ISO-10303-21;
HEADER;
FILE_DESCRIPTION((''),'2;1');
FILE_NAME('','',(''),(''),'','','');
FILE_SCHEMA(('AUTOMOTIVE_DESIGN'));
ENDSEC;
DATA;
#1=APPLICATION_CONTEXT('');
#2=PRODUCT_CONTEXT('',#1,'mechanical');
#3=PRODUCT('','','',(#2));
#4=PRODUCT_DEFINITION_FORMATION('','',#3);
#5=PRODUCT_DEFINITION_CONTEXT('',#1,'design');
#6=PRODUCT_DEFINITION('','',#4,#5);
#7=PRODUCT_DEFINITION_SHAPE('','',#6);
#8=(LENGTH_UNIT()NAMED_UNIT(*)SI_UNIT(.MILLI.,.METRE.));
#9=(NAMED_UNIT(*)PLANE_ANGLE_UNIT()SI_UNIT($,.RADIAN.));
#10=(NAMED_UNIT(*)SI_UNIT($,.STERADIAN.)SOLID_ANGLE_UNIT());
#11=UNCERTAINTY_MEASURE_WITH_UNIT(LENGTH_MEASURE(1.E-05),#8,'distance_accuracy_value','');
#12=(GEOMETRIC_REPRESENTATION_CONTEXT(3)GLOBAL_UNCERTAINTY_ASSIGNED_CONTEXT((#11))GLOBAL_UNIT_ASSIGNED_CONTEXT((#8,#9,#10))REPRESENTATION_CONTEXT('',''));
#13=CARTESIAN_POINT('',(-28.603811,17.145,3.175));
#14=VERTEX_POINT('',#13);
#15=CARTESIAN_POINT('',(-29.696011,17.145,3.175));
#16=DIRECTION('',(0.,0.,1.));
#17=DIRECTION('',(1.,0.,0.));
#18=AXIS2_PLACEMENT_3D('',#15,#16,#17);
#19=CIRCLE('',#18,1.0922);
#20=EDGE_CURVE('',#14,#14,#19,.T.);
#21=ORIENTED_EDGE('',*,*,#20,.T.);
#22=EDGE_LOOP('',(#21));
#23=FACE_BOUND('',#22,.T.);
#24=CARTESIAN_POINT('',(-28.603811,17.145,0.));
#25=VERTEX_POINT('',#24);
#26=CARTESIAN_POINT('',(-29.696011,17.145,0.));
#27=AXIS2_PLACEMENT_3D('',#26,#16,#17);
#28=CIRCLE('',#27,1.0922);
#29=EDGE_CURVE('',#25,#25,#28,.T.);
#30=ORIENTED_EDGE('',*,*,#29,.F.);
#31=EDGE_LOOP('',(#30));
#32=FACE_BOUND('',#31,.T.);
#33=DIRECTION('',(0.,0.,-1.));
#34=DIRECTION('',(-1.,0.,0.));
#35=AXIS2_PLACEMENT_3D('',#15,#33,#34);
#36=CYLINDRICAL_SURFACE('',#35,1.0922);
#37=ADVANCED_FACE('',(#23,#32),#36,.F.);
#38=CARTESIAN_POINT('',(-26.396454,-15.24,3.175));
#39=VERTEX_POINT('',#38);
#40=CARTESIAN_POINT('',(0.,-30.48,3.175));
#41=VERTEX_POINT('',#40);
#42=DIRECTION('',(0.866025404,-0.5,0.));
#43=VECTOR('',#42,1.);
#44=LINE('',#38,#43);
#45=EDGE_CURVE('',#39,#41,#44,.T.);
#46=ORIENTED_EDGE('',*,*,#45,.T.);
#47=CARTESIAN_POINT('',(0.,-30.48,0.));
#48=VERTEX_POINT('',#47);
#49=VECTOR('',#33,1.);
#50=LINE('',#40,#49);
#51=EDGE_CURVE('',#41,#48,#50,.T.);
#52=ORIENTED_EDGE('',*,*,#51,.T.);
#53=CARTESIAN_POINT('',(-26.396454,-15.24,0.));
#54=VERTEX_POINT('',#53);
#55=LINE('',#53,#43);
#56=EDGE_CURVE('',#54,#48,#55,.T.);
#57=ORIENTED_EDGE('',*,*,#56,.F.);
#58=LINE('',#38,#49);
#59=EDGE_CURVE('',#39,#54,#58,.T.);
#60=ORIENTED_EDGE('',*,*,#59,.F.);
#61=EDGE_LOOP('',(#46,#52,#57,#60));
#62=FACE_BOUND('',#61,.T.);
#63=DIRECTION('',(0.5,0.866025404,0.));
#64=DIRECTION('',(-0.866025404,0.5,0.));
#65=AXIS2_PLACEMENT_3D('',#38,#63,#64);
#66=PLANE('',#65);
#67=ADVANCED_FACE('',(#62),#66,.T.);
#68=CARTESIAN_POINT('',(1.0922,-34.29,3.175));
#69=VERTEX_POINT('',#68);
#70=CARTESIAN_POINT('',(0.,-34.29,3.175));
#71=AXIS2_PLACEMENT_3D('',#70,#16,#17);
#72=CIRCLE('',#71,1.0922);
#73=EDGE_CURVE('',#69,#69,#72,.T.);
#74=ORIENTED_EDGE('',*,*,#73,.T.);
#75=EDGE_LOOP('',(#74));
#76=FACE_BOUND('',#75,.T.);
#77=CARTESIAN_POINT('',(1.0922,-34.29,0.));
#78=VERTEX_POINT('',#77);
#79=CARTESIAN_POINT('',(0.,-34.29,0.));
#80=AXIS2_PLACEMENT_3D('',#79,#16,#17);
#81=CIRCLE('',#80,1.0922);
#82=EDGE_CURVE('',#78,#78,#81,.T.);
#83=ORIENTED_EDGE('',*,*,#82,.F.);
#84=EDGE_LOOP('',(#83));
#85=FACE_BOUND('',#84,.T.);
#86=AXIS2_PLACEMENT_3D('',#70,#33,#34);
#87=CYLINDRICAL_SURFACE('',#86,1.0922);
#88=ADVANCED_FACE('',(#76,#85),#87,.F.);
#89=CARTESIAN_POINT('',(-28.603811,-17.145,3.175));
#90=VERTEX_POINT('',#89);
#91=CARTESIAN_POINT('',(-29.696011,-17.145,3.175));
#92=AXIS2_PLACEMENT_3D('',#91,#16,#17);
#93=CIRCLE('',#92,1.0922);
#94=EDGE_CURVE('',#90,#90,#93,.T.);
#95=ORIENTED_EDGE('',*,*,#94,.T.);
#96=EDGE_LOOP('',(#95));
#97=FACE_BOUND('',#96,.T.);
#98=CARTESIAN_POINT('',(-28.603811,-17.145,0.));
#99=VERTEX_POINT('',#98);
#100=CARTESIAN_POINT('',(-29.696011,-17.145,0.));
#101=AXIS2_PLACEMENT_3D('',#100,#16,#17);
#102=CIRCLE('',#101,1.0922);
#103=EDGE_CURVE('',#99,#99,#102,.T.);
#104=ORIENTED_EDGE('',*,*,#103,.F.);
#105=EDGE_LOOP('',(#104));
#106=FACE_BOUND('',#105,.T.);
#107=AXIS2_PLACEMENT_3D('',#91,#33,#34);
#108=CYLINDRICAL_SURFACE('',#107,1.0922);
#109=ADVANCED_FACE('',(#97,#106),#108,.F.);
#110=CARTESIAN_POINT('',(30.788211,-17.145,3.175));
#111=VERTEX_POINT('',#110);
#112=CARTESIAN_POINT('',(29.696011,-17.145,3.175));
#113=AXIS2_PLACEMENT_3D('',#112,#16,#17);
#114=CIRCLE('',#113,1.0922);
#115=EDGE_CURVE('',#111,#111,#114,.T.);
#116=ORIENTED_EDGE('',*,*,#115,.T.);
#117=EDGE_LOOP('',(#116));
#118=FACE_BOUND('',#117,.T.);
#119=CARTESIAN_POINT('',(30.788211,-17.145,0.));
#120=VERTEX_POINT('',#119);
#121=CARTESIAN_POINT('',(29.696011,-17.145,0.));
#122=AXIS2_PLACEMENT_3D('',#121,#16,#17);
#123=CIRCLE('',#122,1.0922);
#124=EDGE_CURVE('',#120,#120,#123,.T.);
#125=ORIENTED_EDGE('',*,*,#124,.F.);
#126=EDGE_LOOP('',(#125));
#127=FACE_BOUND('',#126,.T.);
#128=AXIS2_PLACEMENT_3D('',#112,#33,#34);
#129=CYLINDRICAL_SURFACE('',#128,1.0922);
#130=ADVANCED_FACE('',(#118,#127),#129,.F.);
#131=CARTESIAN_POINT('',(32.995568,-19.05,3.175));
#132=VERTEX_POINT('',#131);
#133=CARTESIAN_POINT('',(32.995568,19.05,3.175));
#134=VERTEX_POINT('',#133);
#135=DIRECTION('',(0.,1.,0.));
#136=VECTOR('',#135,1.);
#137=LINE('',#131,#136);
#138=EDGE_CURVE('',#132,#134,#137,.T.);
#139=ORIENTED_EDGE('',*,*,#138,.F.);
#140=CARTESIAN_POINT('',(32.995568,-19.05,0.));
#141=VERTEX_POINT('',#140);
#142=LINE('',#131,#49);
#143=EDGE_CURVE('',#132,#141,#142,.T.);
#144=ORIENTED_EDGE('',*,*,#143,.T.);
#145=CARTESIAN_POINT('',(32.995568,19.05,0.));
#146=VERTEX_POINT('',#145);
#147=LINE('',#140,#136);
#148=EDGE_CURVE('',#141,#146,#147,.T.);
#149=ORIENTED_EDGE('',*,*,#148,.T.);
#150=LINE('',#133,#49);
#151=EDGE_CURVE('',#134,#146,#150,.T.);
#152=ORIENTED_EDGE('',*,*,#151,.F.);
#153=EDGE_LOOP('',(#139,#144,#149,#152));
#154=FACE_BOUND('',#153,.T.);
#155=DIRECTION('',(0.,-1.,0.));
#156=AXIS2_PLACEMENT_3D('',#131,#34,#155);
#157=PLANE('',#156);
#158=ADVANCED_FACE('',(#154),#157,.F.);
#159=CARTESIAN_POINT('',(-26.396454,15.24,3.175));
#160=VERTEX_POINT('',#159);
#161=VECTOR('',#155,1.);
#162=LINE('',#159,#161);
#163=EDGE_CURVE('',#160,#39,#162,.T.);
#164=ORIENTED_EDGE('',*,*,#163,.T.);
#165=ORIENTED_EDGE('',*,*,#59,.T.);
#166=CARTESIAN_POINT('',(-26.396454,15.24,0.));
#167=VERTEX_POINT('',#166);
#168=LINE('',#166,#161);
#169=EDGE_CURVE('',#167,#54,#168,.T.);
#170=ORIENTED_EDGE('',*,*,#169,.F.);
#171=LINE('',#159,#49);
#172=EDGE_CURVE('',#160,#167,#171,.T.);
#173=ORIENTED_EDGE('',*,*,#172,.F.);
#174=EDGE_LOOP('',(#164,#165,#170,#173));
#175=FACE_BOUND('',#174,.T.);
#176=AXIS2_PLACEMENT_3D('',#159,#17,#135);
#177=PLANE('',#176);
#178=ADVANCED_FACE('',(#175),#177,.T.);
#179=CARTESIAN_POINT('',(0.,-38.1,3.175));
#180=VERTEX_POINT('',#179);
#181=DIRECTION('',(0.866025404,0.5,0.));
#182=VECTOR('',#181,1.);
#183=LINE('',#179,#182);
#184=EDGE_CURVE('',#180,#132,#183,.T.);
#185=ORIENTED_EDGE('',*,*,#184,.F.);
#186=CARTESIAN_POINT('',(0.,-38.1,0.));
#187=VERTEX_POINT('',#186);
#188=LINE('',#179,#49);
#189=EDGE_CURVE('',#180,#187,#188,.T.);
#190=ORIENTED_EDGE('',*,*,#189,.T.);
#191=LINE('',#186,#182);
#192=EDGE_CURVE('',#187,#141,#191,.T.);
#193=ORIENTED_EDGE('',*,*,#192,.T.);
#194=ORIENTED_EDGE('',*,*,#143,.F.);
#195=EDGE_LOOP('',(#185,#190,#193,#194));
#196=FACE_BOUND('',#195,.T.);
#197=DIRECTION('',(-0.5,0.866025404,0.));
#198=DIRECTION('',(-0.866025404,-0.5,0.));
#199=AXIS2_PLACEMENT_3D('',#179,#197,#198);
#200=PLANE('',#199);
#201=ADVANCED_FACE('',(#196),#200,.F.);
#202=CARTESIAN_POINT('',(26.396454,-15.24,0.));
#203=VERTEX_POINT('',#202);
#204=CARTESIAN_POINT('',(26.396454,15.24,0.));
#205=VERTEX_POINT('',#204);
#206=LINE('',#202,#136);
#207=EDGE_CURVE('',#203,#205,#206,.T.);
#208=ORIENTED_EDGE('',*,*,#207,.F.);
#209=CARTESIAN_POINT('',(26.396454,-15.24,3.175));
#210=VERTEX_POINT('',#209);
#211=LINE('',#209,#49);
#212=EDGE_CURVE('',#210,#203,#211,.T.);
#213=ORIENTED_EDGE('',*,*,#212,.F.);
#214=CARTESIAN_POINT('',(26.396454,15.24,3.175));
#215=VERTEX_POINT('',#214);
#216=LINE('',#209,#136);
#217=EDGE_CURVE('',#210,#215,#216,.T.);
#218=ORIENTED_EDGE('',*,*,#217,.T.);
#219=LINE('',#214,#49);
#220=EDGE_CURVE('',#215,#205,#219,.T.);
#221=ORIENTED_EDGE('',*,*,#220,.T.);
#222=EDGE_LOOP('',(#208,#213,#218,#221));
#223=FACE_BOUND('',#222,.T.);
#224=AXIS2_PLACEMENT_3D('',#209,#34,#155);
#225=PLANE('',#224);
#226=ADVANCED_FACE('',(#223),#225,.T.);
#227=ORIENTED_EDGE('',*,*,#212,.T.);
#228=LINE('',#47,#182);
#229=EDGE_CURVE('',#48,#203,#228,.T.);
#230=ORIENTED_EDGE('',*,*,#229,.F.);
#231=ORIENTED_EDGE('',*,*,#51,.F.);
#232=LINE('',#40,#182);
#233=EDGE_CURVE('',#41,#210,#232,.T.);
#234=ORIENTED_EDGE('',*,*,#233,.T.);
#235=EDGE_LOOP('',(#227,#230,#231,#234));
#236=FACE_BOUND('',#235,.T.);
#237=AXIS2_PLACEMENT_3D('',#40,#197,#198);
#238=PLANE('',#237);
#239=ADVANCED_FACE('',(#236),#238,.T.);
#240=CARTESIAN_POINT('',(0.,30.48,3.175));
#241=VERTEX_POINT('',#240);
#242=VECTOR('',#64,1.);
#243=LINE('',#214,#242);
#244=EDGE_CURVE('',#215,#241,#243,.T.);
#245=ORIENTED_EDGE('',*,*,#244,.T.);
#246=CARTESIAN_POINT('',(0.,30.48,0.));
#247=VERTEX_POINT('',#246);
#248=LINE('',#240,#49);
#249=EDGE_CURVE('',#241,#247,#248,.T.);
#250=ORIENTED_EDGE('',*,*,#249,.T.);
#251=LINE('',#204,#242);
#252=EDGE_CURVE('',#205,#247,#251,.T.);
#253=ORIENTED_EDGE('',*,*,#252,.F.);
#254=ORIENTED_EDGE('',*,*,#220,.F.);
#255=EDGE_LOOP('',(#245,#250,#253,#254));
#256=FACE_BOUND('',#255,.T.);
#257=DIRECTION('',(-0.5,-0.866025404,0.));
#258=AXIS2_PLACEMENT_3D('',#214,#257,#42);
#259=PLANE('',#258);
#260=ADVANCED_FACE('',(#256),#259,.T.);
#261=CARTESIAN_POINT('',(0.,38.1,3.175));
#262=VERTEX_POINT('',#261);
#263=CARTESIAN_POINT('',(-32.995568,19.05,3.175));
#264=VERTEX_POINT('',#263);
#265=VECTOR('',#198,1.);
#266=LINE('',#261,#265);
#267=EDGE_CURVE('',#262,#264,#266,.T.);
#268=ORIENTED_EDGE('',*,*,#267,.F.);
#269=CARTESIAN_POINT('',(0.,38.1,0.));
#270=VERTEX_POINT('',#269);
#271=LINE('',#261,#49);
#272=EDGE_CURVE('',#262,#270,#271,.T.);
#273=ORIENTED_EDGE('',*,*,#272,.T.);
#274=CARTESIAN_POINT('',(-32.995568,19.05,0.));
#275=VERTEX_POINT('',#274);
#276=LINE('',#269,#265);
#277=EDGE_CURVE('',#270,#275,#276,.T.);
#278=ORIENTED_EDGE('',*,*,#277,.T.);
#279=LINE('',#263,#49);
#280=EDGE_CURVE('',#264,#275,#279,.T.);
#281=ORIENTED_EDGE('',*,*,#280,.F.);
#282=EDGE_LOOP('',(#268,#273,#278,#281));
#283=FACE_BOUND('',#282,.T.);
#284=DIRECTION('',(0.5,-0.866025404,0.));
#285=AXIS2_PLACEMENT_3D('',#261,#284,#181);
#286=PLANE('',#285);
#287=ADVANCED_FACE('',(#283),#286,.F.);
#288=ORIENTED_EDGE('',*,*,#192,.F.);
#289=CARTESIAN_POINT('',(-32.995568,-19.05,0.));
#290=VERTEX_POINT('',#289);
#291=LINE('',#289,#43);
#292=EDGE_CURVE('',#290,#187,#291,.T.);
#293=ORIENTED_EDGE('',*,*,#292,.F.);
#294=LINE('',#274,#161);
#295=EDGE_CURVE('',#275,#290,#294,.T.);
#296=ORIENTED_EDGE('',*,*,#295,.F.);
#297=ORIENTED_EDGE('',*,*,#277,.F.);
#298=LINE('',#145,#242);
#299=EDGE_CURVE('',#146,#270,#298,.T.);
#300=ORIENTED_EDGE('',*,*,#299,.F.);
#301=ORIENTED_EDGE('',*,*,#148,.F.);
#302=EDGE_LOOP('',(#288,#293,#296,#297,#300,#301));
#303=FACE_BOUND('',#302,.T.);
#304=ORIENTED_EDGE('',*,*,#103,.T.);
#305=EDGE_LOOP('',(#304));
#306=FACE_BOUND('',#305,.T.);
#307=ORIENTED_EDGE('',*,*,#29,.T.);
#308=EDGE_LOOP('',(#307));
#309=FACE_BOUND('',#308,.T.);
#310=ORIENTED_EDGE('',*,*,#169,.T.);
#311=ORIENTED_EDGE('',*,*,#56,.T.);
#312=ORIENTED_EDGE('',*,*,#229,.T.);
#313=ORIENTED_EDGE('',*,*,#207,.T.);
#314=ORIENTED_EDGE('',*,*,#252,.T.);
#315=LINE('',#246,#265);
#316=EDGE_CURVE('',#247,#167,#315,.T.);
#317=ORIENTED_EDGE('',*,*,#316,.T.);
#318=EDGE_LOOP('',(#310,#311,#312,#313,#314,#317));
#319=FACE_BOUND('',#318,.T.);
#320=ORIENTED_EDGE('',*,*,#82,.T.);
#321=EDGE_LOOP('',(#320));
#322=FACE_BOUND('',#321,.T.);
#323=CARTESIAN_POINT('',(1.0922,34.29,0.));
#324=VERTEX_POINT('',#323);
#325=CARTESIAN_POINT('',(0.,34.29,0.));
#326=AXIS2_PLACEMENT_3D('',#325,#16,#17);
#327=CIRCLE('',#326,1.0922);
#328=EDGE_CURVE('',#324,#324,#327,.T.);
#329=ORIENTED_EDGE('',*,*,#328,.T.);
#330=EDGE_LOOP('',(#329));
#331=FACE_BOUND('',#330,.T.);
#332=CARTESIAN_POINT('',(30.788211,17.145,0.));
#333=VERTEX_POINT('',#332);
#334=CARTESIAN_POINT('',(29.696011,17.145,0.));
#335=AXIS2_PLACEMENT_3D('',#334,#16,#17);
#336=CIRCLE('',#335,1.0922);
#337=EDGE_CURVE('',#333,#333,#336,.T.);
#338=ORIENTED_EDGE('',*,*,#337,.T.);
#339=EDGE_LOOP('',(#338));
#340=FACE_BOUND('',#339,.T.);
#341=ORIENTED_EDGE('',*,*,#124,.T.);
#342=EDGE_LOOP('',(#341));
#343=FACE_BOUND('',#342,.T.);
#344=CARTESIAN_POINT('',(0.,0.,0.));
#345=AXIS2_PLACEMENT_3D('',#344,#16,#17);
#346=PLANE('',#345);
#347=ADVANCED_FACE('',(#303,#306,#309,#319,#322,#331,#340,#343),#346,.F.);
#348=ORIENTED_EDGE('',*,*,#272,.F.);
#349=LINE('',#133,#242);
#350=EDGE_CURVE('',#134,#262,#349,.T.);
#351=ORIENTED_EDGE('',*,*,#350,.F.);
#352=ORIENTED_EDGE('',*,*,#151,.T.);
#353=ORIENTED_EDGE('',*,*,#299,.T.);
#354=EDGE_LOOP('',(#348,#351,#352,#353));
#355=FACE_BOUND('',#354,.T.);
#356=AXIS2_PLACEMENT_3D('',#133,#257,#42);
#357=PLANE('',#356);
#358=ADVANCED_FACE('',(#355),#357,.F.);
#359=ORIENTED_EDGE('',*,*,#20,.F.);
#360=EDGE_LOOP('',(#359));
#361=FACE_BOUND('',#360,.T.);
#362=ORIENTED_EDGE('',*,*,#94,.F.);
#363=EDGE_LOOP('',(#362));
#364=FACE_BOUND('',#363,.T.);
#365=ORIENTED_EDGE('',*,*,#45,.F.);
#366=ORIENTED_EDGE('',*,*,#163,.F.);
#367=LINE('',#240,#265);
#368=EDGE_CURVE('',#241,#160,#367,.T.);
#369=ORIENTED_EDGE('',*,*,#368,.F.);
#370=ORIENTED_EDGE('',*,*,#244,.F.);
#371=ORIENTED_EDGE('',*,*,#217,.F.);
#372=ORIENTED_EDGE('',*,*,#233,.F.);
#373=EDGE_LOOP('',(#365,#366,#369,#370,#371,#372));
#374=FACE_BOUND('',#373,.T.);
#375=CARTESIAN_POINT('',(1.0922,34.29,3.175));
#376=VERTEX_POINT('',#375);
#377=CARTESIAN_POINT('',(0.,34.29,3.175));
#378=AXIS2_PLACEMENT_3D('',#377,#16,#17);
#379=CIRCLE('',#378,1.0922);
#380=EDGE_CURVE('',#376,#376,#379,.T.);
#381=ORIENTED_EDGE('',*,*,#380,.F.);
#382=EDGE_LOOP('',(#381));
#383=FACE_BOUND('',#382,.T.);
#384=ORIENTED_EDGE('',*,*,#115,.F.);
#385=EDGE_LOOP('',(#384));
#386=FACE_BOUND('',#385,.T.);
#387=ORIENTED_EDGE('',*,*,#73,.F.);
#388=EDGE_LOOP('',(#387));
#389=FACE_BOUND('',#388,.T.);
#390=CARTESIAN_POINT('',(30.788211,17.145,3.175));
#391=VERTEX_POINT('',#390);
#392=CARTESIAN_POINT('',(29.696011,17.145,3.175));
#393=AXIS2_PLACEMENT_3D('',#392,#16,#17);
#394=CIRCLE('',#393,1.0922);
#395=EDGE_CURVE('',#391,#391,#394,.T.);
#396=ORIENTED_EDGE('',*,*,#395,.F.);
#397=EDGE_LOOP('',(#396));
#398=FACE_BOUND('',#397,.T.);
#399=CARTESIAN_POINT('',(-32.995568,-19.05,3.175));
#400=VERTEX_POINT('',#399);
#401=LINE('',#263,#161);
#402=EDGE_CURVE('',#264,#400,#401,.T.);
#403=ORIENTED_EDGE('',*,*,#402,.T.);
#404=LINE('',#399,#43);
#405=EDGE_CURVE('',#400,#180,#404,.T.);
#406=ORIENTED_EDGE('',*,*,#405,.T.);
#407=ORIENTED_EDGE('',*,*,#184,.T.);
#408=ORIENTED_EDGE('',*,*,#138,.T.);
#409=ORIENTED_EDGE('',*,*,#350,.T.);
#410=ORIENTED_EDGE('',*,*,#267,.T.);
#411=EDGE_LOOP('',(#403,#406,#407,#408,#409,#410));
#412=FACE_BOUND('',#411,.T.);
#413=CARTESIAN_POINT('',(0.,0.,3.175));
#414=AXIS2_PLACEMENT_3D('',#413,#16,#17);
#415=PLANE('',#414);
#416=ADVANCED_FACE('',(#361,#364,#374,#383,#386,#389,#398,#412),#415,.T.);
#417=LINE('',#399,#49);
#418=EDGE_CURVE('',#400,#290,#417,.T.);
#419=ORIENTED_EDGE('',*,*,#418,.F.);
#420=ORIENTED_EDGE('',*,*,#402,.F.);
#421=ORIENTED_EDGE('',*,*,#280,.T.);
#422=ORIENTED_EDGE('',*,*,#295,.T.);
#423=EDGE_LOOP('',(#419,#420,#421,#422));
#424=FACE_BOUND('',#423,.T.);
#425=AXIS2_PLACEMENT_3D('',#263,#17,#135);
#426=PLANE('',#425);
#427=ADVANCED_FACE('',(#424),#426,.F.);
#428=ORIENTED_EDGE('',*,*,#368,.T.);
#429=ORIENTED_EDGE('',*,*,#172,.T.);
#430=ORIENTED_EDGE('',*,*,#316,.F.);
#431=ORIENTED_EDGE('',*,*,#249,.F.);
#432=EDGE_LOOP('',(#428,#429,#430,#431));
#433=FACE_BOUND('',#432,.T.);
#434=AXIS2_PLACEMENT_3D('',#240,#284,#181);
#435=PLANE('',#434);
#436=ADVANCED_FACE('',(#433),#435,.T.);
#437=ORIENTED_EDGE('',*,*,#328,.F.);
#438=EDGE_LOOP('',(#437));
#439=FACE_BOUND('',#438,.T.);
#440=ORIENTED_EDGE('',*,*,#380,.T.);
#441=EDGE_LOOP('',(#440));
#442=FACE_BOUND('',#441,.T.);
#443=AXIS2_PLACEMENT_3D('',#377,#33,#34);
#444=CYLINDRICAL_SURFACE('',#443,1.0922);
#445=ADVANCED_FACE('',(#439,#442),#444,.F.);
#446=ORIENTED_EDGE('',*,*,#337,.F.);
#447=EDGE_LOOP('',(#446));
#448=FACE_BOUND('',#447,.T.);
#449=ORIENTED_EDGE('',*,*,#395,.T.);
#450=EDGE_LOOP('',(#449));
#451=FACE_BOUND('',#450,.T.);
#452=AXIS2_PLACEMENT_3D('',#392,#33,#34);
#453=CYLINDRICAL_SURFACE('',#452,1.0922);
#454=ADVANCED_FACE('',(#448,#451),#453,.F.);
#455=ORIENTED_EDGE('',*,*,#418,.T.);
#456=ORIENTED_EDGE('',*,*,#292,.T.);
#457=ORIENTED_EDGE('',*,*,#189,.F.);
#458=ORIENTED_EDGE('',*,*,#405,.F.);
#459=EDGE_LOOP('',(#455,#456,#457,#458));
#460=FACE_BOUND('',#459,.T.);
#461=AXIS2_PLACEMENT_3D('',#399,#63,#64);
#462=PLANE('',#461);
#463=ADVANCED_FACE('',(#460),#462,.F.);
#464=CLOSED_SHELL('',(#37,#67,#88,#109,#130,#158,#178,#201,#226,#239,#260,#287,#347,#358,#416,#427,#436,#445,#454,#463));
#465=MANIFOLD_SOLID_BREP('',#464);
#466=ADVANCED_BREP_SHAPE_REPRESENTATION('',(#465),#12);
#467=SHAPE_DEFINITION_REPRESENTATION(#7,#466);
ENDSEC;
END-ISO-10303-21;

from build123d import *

# Parameters (mm, degrees)
SKETCH1_R           = 1.0922
BOSS_EXTRUDE1_DEPTH = 3.175


with BuildPart() as part:
    # Sketch1 → Boss-Extrude1 (new body)
    with BuildSketch(Plane.XY):
        Polygon((32.995567884, 19.05), (0, 38.1), (-32.995567884, 19.05), (-32.995567884, -19.05), (0, -38.1), (32.995567884, -19.05), align=None)
        with Locations((-29.696011096, 17.145)):
            Circle(SKETCH1_R, mode=Mode.SUBTRACT)
        with Locations((0, 34.29)):
            Circle(SKETCH1_R, mode=Mode.SUBTRACT)
        with Locations((29.696011096, 17.145)):
            Circle(SKETCH1_R, mode=Mode.SUBTRACT)
        with Locations((29.696011096, -17.145)):
            Circle(SKETCH1_R, mode=Mode.SUBTRACT)
        with Locations((0, -34.29)):
            Circle(SKETCH1_R, mode=Mode.SUBTRACT)
        with Locations((-29.696011096, -17.145)):
            Circle(SKETCH1_R, mode=Mode.SUBTRACT)
        Polygon((26.396454307, 15.24), (0, 30.48), (-26.396454307, 15.24), (-26.396454307, -15.24), (0, -30.48), (26.396454307, -15.24), align=None, mode=Mode.SUBTRACT)
    extrude(amount=BOSS_EXTRUDE1_DEPTH)


solid = part.part
